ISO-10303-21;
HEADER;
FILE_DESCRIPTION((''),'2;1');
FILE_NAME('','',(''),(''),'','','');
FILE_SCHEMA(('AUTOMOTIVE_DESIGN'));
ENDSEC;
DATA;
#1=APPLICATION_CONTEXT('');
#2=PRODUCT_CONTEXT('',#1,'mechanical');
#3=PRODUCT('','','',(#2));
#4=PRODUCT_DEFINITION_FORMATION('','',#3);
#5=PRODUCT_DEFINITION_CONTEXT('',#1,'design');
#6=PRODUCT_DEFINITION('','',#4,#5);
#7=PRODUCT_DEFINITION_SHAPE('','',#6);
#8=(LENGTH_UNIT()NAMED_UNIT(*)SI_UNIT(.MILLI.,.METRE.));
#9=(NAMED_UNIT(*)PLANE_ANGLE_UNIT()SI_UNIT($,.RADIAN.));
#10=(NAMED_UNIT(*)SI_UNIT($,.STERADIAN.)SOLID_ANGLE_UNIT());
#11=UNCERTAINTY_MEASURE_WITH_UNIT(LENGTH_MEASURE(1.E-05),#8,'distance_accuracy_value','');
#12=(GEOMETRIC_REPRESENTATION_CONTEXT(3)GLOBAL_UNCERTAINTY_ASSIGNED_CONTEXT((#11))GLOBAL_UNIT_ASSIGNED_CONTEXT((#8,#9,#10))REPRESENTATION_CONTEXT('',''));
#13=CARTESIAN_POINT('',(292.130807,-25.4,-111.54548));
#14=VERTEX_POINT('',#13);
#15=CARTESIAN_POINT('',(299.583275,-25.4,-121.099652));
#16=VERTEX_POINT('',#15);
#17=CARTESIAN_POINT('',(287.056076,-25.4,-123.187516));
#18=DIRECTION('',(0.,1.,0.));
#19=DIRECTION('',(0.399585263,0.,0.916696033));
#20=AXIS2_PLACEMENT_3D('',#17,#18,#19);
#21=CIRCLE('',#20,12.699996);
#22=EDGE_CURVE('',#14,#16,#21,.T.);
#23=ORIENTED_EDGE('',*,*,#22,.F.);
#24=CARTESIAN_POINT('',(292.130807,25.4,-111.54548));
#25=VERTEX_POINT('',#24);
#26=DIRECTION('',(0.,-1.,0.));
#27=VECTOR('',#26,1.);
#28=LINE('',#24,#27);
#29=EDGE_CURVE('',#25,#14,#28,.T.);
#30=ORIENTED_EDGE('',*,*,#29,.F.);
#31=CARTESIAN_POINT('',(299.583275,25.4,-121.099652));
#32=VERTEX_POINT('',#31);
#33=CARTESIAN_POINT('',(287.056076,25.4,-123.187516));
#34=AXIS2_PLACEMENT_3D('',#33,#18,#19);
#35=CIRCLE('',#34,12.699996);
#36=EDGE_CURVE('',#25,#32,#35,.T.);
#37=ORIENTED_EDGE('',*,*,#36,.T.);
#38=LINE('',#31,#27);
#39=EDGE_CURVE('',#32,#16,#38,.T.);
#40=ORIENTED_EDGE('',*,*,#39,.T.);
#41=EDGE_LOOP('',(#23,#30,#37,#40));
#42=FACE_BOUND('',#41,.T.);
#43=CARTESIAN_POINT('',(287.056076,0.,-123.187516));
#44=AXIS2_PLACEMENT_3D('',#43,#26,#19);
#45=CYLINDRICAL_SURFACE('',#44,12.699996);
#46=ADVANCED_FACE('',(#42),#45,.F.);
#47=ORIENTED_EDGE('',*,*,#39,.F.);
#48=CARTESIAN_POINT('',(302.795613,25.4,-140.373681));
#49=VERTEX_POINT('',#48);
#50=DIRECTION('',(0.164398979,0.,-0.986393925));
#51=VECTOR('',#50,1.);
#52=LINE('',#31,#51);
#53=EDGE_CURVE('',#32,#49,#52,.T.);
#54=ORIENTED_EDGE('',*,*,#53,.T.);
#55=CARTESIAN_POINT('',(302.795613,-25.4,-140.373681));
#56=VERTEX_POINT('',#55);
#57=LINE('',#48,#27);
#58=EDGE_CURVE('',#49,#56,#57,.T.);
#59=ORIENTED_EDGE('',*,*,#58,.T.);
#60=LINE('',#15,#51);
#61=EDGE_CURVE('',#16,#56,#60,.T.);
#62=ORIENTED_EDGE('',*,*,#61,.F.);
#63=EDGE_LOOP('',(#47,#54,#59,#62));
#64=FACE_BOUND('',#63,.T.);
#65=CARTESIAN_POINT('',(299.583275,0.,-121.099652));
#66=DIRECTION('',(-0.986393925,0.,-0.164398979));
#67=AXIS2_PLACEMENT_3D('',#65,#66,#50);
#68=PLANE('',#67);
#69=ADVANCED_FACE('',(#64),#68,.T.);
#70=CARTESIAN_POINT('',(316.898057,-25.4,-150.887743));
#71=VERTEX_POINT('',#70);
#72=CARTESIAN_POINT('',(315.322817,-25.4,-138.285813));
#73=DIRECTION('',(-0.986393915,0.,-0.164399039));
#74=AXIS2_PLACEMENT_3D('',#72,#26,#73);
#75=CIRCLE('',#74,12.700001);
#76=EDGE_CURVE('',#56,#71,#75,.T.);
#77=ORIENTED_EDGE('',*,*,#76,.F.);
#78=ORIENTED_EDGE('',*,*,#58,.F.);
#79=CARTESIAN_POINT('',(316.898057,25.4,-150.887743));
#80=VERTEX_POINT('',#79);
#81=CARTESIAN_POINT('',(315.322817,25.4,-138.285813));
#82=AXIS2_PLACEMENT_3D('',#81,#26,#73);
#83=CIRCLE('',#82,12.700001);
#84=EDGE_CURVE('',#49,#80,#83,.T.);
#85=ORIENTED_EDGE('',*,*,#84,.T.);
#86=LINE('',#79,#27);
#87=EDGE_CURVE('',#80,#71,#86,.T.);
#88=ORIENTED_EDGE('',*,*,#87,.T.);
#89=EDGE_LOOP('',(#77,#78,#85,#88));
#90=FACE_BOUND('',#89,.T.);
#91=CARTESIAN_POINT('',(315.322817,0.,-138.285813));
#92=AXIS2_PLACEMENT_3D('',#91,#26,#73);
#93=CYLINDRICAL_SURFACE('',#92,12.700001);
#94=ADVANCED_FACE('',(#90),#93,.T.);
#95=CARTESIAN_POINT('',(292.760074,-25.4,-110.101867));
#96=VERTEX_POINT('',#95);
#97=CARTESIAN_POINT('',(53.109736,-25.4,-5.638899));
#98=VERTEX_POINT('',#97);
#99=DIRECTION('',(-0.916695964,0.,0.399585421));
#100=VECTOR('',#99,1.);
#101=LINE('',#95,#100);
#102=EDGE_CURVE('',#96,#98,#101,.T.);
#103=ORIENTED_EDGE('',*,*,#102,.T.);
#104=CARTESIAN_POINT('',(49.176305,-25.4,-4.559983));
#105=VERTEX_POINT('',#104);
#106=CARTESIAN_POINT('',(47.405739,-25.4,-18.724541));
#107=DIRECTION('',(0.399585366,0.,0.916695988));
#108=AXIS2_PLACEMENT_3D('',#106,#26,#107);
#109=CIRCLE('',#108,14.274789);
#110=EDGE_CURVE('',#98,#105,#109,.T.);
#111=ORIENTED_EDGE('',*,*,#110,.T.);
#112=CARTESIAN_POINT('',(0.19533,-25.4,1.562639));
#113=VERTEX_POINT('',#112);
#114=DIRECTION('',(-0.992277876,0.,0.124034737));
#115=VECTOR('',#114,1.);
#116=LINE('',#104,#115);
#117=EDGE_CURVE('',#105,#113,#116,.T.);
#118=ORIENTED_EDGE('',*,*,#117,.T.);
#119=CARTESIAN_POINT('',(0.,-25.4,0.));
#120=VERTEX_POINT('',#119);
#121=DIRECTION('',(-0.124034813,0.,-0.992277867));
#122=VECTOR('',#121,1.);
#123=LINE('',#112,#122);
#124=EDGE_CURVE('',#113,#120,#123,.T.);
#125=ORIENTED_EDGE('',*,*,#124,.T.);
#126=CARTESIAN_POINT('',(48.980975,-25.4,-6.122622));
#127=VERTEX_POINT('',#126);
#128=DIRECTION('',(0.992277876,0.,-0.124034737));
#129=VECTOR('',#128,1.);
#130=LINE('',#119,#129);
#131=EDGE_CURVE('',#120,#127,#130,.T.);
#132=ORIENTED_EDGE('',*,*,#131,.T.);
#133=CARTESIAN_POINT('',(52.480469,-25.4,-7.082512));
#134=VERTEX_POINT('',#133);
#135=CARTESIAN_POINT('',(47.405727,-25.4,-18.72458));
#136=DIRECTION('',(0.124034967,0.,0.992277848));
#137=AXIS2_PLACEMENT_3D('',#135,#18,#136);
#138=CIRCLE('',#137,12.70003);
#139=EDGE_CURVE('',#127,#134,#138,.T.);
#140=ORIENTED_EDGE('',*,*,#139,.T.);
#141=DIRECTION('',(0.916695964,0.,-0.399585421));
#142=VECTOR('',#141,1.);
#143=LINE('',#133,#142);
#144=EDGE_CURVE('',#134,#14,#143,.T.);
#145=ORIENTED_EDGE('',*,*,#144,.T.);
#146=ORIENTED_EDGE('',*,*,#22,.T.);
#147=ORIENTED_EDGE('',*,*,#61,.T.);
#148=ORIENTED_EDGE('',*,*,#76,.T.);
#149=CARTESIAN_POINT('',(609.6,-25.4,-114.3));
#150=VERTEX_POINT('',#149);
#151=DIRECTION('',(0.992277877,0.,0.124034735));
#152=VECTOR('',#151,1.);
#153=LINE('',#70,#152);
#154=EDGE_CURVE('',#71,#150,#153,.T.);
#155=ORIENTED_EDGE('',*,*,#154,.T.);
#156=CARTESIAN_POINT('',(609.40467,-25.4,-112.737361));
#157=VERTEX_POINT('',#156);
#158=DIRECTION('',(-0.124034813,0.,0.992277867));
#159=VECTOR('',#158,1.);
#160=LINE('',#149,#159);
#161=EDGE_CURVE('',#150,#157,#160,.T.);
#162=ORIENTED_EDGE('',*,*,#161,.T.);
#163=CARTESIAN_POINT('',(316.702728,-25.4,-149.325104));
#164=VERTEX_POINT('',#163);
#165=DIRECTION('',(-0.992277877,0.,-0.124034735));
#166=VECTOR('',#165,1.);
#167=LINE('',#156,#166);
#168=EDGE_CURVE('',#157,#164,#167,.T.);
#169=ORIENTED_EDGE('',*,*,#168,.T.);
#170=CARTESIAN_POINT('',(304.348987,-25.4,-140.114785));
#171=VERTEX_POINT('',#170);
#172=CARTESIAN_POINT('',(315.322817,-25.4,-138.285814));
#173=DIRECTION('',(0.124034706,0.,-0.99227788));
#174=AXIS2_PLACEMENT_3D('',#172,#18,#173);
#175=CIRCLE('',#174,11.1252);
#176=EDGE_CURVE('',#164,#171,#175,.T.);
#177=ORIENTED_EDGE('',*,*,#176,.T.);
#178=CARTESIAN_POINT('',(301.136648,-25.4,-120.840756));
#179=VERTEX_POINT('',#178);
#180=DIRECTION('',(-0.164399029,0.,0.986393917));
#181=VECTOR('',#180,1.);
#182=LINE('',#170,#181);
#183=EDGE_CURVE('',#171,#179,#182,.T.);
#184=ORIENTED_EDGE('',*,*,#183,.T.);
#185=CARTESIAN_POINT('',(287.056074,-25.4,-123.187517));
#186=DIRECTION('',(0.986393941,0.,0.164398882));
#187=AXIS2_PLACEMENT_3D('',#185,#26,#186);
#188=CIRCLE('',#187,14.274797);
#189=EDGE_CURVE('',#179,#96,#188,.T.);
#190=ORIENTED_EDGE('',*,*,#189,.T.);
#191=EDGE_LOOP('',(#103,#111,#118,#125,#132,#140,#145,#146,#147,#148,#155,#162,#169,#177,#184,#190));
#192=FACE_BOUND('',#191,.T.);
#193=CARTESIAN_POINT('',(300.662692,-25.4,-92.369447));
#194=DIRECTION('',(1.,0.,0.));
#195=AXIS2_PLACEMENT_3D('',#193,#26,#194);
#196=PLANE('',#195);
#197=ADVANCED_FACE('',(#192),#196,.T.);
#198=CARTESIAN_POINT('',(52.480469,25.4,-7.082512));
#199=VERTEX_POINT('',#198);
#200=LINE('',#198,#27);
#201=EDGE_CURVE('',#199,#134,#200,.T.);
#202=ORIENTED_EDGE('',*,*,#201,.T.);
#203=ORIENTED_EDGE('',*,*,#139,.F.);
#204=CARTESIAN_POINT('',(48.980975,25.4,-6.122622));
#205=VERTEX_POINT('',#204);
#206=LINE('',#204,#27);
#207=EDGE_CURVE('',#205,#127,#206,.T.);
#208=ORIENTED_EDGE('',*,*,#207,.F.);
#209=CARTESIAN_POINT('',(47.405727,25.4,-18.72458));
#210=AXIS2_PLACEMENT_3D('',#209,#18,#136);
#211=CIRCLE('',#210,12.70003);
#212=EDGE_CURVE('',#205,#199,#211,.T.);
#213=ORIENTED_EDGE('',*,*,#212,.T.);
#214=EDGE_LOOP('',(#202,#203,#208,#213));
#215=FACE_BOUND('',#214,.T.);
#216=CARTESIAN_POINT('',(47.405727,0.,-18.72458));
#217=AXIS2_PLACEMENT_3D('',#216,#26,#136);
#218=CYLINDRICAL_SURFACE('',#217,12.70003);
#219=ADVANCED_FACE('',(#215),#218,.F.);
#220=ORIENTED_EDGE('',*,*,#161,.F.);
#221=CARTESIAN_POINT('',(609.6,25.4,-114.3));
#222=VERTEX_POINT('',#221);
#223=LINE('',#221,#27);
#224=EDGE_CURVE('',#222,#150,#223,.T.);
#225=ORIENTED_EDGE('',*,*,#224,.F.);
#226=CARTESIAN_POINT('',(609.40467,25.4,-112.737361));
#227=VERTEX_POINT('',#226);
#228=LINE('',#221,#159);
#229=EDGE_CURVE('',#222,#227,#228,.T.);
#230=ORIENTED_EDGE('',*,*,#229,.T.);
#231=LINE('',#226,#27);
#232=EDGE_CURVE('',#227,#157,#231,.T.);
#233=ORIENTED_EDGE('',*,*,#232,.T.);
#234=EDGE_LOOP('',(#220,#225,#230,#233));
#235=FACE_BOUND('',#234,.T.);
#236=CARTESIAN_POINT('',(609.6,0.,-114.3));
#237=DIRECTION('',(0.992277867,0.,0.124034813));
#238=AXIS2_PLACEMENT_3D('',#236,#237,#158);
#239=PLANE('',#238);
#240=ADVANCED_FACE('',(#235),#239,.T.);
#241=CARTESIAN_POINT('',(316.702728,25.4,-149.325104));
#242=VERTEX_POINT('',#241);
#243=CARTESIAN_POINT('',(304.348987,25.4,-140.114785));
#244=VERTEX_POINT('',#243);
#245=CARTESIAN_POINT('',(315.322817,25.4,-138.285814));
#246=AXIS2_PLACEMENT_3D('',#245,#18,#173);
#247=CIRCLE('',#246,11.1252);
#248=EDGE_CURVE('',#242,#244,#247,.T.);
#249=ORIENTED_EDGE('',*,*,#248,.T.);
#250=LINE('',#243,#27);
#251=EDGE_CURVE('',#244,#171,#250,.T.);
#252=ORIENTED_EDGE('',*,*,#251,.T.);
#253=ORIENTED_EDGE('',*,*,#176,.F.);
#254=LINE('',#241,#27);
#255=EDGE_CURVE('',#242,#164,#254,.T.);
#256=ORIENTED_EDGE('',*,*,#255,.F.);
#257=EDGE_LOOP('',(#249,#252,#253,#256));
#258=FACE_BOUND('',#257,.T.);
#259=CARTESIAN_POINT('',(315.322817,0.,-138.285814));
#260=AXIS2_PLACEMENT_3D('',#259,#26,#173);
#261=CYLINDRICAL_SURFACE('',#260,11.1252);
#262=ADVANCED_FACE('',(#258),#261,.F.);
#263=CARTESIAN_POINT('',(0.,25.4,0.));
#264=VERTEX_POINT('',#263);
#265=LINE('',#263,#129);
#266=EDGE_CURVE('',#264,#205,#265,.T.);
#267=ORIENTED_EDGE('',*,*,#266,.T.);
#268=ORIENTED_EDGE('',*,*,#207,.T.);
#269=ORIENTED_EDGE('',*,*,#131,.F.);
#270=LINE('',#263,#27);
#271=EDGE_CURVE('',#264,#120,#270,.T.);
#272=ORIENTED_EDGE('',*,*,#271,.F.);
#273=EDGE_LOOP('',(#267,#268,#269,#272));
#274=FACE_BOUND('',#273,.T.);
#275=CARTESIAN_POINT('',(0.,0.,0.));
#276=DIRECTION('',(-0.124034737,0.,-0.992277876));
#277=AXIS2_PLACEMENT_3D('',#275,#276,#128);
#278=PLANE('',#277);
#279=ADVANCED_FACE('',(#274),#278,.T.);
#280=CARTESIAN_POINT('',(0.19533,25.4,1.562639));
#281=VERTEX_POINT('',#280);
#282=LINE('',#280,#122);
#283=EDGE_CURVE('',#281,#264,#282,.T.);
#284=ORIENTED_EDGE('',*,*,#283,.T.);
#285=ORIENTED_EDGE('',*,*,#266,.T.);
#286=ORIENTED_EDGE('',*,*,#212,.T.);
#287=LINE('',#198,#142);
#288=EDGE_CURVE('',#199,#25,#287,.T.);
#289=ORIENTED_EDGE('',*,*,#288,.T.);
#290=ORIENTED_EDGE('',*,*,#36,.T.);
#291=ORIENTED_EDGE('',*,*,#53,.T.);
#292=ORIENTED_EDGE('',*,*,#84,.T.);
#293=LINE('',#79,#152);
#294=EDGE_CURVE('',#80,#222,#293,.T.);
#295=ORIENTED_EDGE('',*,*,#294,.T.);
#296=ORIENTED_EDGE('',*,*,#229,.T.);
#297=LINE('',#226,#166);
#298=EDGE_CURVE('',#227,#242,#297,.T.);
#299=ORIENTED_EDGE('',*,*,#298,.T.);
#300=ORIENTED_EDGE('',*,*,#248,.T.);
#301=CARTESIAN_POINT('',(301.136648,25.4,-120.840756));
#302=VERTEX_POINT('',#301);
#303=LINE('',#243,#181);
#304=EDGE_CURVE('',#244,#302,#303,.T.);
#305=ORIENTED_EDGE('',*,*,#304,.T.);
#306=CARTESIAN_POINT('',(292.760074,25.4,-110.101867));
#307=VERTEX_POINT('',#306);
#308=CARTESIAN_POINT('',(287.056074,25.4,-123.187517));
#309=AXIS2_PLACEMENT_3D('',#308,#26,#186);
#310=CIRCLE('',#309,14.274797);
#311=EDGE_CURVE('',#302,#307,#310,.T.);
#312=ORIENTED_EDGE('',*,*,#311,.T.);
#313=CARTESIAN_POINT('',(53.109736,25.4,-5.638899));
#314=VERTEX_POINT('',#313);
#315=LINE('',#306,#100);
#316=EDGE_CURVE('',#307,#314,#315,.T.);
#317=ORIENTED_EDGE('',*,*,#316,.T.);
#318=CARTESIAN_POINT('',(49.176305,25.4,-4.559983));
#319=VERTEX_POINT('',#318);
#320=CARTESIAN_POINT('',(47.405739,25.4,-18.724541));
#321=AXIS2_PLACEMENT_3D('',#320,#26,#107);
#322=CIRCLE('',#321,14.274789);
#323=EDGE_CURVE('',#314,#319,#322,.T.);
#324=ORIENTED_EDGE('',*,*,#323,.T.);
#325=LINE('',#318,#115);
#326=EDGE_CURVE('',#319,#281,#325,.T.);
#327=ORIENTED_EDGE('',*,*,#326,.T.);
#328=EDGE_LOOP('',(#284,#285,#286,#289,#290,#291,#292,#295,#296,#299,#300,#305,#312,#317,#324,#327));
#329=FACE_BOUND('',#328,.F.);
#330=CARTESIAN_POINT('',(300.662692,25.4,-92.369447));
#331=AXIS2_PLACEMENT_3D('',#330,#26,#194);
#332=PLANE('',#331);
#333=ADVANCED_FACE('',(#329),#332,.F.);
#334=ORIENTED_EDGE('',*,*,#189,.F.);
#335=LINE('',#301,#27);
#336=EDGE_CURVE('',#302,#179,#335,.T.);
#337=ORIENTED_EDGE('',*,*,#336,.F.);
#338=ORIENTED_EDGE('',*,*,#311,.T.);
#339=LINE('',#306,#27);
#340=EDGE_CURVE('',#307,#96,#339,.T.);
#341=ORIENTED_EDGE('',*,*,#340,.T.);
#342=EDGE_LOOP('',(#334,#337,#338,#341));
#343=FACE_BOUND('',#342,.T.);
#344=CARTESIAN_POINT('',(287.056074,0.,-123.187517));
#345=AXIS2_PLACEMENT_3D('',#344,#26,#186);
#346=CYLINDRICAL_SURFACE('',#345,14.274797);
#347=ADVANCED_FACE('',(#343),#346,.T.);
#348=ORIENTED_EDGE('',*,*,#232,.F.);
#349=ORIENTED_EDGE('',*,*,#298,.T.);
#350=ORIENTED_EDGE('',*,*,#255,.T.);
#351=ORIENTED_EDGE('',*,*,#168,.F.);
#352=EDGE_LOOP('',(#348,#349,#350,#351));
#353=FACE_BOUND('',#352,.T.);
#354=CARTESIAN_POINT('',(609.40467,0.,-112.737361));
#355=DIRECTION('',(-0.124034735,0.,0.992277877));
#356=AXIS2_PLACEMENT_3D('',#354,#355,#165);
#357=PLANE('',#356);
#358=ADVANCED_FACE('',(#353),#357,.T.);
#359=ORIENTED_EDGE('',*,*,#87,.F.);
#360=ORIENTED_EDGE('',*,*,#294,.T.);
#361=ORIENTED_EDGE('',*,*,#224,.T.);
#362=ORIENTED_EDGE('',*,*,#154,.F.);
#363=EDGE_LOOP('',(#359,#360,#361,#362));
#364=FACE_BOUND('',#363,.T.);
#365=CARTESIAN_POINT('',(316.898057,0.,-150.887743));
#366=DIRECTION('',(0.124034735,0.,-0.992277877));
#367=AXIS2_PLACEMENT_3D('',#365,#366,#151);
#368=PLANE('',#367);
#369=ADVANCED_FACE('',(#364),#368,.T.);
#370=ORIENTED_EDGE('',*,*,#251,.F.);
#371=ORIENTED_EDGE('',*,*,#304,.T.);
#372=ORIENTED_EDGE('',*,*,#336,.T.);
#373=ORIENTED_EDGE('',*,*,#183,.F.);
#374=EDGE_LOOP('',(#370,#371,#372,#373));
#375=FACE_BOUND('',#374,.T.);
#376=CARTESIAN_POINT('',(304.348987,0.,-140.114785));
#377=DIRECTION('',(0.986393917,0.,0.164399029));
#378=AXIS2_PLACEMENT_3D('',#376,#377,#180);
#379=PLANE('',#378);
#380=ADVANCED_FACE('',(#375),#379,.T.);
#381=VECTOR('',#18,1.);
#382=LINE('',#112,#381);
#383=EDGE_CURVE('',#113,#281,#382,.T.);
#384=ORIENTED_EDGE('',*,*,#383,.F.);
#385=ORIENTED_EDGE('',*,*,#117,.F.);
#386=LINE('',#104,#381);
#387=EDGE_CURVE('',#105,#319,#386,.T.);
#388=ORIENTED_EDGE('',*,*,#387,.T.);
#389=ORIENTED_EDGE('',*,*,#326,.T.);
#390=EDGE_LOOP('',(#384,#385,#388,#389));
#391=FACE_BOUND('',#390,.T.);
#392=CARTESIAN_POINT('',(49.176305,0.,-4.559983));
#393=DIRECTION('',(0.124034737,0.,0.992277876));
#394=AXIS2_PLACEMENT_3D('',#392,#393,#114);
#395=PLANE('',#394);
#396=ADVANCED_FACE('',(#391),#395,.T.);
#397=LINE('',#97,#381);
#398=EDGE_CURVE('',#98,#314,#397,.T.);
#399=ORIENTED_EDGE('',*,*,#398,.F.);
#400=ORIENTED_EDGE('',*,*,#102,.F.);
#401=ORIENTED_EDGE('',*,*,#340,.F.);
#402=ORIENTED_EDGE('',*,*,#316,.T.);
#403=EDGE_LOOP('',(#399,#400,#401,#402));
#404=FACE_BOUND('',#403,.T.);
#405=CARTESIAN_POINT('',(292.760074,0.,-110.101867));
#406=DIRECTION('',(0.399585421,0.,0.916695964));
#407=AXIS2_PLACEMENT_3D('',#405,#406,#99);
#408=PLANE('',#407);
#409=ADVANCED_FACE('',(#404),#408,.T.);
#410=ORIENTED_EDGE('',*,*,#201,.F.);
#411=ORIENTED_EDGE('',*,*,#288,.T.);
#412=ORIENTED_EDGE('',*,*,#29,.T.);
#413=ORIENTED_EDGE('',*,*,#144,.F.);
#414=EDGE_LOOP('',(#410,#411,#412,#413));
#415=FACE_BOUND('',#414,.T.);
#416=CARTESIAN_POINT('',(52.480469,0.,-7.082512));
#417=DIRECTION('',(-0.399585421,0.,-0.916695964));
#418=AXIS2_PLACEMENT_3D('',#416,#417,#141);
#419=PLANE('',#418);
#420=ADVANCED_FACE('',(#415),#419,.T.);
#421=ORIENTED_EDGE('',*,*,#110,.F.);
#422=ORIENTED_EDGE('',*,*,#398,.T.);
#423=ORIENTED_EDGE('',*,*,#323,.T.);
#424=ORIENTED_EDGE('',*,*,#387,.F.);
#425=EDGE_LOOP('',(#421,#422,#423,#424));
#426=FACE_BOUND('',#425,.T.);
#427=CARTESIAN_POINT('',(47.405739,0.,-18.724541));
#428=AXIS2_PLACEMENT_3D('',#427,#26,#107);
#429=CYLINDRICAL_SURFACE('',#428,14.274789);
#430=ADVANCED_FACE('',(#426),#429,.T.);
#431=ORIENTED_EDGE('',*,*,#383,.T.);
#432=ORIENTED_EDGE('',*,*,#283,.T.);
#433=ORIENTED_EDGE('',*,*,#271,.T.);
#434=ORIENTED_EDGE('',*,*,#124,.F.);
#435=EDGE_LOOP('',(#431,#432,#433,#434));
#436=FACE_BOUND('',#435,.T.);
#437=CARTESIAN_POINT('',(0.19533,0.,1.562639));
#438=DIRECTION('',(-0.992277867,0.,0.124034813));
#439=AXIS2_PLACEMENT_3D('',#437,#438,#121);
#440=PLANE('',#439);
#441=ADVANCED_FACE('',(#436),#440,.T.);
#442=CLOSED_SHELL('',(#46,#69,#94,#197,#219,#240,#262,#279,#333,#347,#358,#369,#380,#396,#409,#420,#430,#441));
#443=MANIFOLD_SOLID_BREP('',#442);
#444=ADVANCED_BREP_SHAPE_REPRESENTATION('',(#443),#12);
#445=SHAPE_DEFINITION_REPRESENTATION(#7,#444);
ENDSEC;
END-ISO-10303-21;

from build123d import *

# Parameters (mm, degrees)
F1_DEPTH      = 25.4
F1_DEPTH_BACK = 25.4


with BuildPart() as f1:
    # F0 (on Front) → F1 (new body, two sides)
    with BuildSketch(Plane.XZ) as f1_sk:
        with BuildLine():
            Line((0.19533, 1.562639), (0, 0))
            Line((0, 0), (48.980975, -6.122622))
            ThreePointArc((48.980975, -6.122622), (50.765183, -6.476935), (52.480469, -7.082512))
            Line((52.480469, -7.082512), (292.130807, -111.54548))
            ThreePointArc((292.130807, -111.54548), (297.069943, -115.376475), (299.583275, -121.099652))
            Line((299.583275, -121.099652), (302.795613, -140.373681))
            ThreePointArc((302.795613, -140.373681), (307.731852, -148.467526), (316.898057, -150.887743))
            Line((316.898057, -150.887743), (609.6, -114.3))
            Line((609.6, -114.3), (609.40467, -112.737361))
            Line((609.40467, -112.737361), (316.702728, -149.325104))
            ThreePointArc((316.702728, -149.325104), (308.673131, -147.204993), (304.348987, -140.114785))
            Line((304.348987, -140.114785), (301.136648, -120.840756))
            ThreePointArc((301.136648, -120.840756), (298.311663, -114.407906), (292.760074, -110.101867))
            Line((292.760074, -110.101867), (53.109736, -5.638899))
            ThreePointArc((53.109736, -5.638899), (51.181754, -4.95823), (49.176305, -4.559983))
            Line((49.176305, -4.559983), (0.19533, 1.562639))
        make_face()
    extrude(amount=F1_DEPTH)
    extrude(f1_sk.sketch, amount=-F1_DEPTH_BACK)


solid = f1.part
